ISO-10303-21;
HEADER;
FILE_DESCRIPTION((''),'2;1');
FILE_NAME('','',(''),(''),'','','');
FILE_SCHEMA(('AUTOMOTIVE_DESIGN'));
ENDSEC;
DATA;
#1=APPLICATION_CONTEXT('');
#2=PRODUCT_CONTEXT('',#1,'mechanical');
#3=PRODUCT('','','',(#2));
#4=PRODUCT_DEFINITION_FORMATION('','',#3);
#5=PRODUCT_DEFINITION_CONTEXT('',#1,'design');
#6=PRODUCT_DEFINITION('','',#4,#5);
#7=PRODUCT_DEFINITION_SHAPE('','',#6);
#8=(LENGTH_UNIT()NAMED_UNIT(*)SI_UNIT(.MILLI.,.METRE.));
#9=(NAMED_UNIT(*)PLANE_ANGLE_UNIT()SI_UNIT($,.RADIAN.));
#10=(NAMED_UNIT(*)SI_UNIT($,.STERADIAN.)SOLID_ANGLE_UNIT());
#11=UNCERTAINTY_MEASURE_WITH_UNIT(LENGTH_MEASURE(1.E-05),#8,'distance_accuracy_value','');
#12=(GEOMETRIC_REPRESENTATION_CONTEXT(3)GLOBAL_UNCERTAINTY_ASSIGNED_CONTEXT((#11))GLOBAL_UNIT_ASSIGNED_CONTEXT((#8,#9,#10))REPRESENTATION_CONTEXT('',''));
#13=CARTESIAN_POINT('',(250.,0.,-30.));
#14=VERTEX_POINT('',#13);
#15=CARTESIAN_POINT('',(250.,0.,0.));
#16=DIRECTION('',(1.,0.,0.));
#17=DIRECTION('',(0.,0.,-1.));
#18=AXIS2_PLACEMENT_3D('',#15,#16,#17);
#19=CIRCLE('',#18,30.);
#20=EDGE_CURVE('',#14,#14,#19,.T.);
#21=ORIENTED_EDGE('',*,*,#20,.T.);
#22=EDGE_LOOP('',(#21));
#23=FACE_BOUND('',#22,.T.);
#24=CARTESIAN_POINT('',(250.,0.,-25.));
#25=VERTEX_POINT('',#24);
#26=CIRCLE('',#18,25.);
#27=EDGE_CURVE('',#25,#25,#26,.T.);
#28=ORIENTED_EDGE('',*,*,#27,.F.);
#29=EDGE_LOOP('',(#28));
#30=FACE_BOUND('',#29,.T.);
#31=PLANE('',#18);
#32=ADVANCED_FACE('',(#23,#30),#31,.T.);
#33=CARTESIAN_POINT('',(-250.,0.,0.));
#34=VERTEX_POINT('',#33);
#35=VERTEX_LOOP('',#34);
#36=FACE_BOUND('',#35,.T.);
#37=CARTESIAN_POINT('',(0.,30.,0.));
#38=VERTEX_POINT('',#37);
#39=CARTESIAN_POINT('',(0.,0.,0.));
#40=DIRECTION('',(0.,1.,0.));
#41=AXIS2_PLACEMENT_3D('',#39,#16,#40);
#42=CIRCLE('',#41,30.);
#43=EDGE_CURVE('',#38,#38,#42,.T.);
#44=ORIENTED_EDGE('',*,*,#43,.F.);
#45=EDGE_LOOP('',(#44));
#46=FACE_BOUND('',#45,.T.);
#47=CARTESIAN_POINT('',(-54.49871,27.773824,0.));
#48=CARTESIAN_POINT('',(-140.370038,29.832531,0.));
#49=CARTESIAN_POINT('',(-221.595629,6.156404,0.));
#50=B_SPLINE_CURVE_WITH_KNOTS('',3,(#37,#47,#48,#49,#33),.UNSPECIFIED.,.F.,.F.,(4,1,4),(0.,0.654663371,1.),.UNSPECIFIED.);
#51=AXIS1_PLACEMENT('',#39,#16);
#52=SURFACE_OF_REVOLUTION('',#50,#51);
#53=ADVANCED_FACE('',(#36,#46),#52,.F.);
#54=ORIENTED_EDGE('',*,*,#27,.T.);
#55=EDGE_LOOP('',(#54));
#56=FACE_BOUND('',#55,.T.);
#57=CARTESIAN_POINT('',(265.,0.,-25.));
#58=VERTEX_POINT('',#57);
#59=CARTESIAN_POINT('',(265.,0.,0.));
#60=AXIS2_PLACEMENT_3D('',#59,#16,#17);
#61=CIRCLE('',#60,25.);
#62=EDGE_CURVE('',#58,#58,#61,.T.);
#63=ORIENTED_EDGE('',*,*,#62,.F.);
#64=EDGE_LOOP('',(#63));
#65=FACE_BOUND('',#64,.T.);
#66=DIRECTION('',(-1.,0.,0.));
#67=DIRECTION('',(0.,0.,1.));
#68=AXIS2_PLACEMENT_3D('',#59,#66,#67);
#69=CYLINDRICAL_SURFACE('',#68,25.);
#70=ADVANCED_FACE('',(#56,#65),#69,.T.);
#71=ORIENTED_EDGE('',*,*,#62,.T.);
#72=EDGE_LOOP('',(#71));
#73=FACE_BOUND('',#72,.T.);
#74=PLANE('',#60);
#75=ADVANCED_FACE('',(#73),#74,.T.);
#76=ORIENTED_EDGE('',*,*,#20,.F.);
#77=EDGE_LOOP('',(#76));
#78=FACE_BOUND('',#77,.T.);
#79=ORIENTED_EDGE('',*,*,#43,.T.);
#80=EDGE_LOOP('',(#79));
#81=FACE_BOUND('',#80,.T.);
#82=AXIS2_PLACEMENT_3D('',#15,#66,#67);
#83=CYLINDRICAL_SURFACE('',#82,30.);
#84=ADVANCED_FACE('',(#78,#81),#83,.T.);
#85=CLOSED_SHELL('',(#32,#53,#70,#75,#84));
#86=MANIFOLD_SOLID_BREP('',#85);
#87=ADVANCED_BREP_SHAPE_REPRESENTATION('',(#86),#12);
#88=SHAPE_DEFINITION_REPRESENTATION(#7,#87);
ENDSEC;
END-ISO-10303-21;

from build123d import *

# Parameters (mm, degrees)
SKETCH1_R           = 30
BOSS_EXTRUDE1_DEPTH = 250
SKETCH2_R           = 25
BOSS_EXTRUDE2_DEPTH = 15


with BuildPart() as part:
    # Sketch1 → Boss-Extrude1 (new body)
    with BuildSketch(Plane(origin=(0, 0, 0), x_dir=(0, 0, -1), z_dir=(1, 0, 0))):
        Circle(SKETCH1_R)
    extrude(amount=BOSS_EXTRUDE1_DEPTH)

    # Sketch2 → Boss-Extrude2 (add)
    with BuildSketch(Plane(origin=(250, 0, 0), x_dir=(0, 0, -1), z_dir=(1, 0, 0))):
        Circle(SKETCH2_R)
    extrude(amount=BOSS_EXTRUDE2_DEPTH)

    # Sketch3 → Revolve1 (revolve)
    with BuildSketch(Plane.XY):
        with BuildLine():
            Line((0, 30), (0, 0))
            Line((0, 0), (-250, 0))
            add(Edge.make_bspline(
                [(-250, 0), (-221.595628815, 6.156403899), (-140.370037823, 29.832530631), (-54.498709962, 27.773824359), (0, 30)],
                knots=[0, 0, 0, 0, 0.345336629, 1, 1, 1, 1], degree=3))
        make_face()
    revolve(axis=Axis((0, 0, 0), (-1, 0, 0)))


solid = part.part
